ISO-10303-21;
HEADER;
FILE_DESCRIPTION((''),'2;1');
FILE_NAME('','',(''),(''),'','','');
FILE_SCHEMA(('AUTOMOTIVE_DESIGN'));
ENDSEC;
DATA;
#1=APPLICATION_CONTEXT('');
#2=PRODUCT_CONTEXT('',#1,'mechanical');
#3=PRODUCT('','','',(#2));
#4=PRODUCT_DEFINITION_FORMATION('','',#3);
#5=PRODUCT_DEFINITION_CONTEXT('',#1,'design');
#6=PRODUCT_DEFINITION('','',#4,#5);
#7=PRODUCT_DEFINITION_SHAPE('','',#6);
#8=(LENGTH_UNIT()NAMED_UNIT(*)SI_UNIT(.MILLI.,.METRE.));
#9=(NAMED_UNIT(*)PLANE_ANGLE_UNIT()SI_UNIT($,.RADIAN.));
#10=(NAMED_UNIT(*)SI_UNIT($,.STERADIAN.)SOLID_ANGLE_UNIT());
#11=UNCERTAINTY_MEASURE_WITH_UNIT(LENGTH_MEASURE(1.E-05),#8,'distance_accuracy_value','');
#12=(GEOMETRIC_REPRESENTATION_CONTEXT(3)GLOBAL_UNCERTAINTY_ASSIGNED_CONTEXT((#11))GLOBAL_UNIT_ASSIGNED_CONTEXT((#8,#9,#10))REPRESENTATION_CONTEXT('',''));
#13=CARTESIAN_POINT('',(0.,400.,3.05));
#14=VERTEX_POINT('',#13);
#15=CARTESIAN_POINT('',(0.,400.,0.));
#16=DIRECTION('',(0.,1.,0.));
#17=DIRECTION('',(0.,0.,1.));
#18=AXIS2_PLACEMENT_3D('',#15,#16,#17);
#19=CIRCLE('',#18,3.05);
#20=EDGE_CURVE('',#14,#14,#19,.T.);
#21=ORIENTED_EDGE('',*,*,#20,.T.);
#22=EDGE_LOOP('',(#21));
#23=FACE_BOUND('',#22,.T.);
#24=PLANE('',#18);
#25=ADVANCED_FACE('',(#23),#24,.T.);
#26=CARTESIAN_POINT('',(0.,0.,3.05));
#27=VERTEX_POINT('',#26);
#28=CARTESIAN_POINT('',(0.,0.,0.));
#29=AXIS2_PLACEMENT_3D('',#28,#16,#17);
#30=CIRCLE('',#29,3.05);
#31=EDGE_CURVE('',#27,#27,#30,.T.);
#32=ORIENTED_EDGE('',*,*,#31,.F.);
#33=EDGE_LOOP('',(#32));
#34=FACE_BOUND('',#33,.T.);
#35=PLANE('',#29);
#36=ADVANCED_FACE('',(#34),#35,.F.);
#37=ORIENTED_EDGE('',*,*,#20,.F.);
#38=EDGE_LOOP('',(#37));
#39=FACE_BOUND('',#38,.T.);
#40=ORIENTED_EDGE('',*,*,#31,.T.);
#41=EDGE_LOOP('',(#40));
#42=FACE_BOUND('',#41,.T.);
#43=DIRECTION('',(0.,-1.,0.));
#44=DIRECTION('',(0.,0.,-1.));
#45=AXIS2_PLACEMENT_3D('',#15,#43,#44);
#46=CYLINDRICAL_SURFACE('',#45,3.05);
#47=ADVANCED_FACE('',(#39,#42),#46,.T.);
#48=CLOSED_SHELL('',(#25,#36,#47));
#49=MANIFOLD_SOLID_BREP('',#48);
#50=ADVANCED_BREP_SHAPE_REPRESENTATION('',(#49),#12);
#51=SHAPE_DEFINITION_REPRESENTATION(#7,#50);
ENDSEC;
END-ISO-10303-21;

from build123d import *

# Parameters (mm, degrees)
SKETCH1_R           = 3.05
BOSS_EXTRUDE1_DEPTH = 400


with BuildPart() as part:
    # Sketch1 → Boss-Extrude1 (new body)
    with BuildSketch(Plane(origin=(0, 0, 0), x_dir=(1, 0, 0), z_dir=(0, 1, 0))):
        with Locations(Location((0, 0, 0), (0, 0, 270))):
            Circle(SKETCH1_R)
    extrude(amount=BOSS_EXTRUDE1_DEPTH)


solid = part.part
